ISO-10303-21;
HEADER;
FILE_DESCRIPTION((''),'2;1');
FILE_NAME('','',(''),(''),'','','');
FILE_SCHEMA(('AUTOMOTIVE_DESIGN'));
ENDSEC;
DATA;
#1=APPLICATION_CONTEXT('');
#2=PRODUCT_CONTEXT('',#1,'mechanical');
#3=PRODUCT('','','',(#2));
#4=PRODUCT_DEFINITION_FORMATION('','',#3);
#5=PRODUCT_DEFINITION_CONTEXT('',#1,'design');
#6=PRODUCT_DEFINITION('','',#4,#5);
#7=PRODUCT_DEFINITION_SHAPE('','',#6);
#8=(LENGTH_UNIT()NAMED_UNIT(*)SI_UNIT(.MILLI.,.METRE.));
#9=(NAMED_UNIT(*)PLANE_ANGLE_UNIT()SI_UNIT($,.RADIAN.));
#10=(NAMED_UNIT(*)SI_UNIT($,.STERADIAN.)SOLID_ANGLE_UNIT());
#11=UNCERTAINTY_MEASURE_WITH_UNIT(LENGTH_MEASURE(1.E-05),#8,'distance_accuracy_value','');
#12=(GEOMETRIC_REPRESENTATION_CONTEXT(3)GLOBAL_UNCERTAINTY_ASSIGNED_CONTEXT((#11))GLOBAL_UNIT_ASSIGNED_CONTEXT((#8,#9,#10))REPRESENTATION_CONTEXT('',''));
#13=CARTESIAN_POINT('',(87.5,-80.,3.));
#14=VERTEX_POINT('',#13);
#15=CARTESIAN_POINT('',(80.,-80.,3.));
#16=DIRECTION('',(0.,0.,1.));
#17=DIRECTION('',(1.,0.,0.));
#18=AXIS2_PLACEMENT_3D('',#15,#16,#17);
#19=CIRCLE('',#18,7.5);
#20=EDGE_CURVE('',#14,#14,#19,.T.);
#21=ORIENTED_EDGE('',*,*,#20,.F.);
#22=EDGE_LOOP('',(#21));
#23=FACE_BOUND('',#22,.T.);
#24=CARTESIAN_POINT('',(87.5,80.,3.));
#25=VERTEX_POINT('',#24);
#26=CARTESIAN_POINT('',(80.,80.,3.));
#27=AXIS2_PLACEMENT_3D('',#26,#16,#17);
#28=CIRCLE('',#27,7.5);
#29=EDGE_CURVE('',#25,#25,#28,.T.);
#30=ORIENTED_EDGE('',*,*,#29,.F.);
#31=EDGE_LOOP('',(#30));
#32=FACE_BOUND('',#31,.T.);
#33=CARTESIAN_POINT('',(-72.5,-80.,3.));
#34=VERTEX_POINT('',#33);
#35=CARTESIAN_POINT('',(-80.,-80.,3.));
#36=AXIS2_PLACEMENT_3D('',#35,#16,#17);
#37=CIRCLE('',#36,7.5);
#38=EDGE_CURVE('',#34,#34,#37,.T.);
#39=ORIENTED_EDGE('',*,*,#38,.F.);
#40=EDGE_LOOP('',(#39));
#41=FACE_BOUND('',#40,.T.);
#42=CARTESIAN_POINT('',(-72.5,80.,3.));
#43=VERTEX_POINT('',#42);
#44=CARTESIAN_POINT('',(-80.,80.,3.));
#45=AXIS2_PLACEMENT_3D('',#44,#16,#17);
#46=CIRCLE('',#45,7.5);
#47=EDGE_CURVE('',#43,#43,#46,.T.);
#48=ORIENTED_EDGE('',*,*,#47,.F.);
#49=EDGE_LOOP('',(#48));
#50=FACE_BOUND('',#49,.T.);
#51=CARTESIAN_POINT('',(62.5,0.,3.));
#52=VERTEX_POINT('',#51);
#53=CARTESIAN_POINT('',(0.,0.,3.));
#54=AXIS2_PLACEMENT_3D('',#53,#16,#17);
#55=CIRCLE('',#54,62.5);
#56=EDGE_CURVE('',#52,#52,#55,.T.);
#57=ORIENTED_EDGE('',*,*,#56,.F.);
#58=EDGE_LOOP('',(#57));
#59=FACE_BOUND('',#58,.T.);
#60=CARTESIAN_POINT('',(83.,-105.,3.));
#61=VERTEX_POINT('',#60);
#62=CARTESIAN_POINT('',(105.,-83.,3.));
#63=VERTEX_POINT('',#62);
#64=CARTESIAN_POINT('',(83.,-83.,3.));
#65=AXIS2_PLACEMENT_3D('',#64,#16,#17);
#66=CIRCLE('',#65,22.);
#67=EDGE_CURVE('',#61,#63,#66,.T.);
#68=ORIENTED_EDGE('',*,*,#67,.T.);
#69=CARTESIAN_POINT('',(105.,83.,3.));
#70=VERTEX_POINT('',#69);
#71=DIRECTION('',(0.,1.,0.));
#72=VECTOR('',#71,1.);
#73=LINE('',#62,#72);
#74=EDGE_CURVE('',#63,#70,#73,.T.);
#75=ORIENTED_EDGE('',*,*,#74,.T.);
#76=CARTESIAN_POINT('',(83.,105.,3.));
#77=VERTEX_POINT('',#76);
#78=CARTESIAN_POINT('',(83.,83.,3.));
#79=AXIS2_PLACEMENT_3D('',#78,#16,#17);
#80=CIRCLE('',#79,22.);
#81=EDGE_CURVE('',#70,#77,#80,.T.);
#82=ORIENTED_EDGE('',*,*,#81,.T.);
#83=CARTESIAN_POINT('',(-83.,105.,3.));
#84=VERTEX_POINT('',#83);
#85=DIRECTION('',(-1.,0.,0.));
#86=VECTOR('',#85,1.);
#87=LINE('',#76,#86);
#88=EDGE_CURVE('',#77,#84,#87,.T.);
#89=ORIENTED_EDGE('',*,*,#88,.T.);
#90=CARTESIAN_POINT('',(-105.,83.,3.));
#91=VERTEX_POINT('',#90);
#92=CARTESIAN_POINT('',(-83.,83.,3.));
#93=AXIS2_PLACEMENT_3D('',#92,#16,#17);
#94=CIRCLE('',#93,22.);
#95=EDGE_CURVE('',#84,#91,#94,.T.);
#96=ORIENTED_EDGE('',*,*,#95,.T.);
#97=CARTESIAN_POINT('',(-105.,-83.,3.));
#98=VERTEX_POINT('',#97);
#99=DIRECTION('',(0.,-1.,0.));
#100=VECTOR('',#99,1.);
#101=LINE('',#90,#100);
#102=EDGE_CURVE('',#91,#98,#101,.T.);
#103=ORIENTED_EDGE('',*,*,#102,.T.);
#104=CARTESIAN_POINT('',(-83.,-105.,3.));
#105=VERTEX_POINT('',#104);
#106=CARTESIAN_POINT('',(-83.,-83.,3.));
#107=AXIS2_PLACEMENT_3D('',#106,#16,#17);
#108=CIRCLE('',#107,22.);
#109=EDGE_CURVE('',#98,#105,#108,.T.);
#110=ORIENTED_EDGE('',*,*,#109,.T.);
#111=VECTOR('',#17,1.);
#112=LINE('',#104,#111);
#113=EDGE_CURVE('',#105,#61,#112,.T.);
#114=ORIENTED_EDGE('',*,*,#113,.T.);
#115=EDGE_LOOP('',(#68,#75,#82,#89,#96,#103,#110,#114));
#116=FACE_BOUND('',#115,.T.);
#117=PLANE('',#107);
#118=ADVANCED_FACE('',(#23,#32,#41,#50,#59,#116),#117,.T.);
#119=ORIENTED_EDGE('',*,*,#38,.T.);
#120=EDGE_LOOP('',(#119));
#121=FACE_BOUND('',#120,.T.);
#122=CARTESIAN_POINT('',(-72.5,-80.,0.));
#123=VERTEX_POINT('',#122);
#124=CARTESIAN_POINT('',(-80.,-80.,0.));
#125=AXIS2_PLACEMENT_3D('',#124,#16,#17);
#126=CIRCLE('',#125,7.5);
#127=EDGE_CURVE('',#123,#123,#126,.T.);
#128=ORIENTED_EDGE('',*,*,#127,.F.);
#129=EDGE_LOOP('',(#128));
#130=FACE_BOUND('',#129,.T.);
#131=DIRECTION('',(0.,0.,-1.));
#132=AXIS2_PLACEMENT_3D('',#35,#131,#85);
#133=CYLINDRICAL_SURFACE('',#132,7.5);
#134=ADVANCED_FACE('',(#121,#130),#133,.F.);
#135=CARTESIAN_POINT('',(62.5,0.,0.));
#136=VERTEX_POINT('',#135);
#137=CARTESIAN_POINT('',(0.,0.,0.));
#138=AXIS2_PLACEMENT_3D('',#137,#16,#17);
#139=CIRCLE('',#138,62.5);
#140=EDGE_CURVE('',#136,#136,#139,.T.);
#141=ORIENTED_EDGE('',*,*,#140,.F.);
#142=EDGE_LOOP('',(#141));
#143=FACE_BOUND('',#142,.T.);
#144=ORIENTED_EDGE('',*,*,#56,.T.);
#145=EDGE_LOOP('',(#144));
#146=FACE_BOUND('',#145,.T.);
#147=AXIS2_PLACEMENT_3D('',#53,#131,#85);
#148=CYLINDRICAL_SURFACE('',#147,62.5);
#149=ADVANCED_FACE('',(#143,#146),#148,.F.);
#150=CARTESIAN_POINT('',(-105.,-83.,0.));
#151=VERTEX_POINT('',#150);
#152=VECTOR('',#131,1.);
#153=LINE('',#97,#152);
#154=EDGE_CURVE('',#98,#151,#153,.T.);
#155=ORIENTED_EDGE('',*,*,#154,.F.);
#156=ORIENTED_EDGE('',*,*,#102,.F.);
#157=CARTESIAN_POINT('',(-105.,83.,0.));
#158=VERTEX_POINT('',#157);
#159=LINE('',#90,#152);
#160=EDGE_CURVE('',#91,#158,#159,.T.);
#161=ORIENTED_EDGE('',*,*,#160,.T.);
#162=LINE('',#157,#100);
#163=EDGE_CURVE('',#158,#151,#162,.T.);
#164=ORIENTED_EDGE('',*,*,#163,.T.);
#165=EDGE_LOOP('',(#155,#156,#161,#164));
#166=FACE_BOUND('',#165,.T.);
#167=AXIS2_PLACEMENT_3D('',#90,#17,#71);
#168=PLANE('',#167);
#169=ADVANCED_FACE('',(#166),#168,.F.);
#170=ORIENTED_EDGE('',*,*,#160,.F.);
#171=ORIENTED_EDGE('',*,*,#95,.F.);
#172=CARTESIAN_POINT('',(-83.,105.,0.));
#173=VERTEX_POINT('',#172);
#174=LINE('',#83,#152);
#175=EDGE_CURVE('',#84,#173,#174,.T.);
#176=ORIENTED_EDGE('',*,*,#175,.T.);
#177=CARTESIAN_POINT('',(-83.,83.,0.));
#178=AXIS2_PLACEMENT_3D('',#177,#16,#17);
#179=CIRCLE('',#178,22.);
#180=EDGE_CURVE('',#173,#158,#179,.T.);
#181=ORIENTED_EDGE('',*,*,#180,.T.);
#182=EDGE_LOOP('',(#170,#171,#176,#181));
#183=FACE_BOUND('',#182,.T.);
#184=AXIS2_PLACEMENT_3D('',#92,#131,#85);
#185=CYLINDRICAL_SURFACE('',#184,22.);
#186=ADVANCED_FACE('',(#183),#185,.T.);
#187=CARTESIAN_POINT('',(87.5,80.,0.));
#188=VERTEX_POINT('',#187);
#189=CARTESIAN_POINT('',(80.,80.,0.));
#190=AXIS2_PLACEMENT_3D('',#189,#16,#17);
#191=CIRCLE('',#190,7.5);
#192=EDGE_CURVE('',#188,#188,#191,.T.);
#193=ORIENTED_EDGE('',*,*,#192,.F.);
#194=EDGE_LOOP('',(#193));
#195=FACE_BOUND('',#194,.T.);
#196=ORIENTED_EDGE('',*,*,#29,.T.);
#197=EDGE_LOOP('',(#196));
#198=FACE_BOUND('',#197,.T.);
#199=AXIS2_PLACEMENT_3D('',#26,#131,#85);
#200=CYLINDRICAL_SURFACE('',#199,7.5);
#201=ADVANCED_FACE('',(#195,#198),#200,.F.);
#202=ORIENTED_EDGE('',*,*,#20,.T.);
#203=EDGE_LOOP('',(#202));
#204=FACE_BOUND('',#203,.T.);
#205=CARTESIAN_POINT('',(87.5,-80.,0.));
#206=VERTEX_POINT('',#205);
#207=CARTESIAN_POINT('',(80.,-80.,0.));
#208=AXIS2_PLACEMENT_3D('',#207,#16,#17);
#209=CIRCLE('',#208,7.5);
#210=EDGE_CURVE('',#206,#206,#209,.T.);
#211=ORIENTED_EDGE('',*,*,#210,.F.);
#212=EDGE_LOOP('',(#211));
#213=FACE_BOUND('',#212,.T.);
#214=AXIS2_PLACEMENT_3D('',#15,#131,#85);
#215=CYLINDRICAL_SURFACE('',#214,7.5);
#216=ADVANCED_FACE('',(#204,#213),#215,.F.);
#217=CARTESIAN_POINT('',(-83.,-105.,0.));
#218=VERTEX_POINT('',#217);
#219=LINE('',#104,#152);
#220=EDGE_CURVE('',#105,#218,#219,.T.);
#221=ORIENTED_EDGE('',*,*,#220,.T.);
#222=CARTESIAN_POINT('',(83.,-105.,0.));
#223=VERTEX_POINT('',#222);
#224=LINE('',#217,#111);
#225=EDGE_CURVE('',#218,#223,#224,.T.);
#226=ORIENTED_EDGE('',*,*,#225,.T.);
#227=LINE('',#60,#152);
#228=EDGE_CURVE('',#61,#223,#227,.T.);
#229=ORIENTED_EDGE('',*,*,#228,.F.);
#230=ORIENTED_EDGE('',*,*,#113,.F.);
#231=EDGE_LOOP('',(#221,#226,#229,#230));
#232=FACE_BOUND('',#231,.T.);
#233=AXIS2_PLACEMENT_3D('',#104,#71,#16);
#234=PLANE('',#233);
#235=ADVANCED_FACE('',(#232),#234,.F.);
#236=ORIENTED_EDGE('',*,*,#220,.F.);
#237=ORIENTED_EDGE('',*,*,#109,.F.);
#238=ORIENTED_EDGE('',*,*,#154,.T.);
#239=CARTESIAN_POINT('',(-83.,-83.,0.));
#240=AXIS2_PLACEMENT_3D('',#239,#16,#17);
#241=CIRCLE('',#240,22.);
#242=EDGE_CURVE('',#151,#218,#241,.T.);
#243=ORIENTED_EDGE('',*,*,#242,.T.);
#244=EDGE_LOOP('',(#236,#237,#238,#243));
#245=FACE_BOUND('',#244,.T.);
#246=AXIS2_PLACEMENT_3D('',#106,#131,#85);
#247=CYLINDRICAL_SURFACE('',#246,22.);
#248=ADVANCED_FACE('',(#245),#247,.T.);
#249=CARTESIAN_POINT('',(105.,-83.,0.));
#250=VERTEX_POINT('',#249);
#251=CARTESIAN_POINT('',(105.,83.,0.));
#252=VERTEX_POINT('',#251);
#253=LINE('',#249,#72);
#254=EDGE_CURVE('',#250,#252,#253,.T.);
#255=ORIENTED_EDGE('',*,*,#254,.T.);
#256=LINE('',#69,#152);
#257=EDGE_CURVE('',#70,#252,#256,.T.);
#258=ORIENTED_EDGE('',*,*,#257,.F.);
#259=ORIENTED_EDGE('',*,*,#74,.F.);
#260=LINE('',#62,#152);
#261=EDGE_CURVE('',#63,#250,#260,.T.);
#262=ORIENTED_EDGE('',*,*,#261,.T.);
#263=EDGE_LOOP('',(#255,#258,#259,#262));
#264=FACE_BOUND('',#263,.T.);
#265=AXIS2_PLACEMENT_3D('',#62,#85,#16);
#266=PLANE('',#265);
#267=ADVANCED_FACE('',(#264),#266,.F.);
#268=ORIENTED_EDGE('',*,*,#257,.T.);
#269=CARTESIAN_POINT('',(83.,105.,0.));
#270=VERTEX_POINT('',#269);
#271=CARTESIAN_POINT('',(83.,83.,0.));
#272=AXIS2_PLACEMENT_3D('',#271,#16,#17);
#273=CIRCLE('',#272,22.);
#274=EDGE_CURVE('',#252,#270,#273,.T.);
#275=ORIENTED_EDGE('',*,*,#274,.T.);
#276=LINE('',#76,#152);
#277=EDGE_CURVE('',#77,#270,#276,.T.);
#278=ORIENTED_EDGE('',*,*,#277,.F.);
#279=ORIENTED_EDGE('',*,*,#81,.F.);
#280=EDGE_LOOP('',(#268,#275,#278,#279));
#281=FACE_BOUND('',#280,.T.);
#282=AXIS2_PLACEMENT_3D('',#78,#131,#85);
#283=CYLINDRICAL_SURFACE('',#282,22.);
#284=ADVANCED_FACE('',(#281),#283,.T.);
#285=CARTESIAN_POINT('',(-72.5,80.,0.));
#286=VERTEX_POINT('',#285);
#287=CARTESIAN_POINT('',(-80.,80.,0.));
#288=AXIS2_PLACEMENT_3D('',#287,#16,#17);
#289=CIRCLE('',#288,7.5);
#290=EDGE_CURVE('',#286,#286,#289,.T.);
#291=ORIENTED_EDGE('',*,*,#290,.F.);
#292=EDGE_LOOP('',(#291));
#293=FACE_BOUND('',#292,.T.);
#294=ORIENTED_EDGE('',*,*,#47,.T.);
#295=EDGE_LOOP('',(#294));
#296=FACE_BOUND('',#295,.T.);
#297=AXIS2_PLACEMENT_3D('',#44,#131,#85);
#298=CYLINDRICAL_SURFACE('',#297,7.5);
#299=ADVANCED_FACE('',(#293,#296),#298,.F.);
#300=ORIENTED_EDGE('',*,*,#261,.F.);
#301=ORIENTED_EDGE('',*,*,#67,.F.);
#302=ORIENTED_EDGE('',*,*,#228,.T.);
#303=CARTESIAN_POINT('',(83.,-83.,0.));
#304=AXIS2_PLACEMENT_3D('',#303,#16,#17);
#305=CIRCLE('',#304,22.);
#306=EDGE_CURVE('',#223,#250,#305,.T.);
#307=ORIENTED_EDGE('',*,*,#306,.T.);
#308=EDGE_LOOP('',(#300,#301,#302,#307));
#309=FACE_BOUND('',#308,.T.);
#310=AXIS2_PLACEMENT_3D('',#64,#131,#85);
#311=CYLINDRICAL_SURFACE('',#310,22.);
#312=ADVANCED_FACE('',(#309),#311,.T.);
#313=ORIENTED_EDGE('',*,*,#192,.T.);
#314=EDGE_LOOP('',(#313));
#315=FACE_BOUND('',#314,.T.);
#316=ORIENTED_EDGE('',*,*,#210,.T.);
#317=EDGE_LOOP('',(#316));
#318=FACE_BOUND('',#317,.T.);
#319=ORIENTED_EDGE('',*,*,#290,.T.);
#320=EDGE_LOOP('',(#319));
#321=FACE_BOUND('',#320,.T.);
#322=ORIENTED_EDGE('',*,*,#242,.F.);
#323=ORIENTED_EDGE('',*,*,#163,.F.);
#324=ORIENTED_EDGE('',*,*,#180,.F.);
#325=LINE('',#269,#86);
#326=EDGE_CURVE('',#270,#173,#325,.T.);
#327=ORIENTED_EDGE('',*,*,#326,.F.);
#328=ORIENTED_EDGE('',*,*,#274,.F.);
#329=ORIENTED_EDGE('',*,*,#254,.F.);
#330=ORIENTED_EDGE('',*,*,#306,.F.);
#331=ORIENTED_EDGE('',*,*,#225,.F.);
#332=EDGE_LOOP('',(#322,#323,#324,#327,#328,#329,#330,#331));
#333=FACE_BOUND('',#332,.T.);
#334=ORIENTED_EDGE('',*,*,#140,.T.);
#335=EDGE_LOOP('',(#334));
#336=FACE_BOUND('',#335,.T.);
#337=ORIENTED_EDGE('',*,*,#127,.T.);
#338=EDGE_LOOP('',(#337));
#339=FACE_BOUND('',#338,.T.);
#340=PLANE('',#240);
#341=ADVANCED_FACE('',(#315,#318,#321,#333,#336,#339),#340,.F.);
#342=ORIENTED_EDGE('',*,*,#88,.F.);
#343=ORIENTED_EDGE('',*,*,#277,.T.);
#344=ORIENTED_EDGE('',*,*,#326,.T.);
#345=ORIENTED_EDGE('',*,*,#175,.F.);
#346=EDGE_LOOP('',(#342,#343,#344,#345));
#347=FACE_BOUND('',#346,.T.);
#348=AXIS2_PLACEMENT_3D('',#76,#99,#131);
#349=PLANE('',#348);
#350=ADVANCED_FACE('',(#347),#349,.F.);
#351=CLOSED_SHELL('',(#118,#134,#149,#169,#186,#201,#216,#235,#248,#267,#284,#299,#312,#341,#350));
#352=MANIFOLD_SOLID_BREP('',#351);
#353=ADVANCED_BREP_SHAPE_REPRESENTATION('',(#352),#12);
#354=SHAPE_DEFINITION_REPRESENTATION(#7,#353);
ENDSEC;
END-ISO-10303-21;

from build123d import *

# Parameters (mm, degrees)
SKETCH_1_R      = 7.5
SKETCH_1_R_2    = 62.5
EXTRUDE_1_DEPTH = 3


with BuildPart() as part:
    # Эскиз1 → Бобышка-Вытянуть1 (new body)
    with BuildSketch(Plane.XY):
        with BuildLine():
            Line((-83, -105), (83, -105))
            ThreePointArc((83, -105), (98.556349186, -98.556349186), (105, -83))
            Line((105, -83), (105, 83))
            ThreePointArc((105, 83), (98.556349186, 98.556349186), (83, 105))
            Line((83, 105), (-83, 105))
            ThreePointArc((-83, 105), (-98.556349186, 98.556349186), (-105, 83))
            Line((-105, 83), (-105, -83))
            ThreePointArc((-105, -83), (-98.556349186, -98.556349186), (-83, -105))
        make_face()
        with Locations((-80, 80)):
            Circle(SKETCH_1_R, mode=Mode.SUBTRACT)
        with Locations((80, 80)):
            Circle(SKETCH_1_R, mode=Mode.SUBTRACT)
        with Locations((80, -80)):
            Circle(SKETCH_1_R, mode=Mode.SUBTRACT)
        with Locations((-80, -80)):
            Circle(SKETCH_1_R, mode=Mode.SUBTRACT)
        Circle(SKETCH_1_R_2, mode=Mode.SUBTRACT)
    extrude(amount=EXTRUDE_1_DEPTH)


solid = part.part
